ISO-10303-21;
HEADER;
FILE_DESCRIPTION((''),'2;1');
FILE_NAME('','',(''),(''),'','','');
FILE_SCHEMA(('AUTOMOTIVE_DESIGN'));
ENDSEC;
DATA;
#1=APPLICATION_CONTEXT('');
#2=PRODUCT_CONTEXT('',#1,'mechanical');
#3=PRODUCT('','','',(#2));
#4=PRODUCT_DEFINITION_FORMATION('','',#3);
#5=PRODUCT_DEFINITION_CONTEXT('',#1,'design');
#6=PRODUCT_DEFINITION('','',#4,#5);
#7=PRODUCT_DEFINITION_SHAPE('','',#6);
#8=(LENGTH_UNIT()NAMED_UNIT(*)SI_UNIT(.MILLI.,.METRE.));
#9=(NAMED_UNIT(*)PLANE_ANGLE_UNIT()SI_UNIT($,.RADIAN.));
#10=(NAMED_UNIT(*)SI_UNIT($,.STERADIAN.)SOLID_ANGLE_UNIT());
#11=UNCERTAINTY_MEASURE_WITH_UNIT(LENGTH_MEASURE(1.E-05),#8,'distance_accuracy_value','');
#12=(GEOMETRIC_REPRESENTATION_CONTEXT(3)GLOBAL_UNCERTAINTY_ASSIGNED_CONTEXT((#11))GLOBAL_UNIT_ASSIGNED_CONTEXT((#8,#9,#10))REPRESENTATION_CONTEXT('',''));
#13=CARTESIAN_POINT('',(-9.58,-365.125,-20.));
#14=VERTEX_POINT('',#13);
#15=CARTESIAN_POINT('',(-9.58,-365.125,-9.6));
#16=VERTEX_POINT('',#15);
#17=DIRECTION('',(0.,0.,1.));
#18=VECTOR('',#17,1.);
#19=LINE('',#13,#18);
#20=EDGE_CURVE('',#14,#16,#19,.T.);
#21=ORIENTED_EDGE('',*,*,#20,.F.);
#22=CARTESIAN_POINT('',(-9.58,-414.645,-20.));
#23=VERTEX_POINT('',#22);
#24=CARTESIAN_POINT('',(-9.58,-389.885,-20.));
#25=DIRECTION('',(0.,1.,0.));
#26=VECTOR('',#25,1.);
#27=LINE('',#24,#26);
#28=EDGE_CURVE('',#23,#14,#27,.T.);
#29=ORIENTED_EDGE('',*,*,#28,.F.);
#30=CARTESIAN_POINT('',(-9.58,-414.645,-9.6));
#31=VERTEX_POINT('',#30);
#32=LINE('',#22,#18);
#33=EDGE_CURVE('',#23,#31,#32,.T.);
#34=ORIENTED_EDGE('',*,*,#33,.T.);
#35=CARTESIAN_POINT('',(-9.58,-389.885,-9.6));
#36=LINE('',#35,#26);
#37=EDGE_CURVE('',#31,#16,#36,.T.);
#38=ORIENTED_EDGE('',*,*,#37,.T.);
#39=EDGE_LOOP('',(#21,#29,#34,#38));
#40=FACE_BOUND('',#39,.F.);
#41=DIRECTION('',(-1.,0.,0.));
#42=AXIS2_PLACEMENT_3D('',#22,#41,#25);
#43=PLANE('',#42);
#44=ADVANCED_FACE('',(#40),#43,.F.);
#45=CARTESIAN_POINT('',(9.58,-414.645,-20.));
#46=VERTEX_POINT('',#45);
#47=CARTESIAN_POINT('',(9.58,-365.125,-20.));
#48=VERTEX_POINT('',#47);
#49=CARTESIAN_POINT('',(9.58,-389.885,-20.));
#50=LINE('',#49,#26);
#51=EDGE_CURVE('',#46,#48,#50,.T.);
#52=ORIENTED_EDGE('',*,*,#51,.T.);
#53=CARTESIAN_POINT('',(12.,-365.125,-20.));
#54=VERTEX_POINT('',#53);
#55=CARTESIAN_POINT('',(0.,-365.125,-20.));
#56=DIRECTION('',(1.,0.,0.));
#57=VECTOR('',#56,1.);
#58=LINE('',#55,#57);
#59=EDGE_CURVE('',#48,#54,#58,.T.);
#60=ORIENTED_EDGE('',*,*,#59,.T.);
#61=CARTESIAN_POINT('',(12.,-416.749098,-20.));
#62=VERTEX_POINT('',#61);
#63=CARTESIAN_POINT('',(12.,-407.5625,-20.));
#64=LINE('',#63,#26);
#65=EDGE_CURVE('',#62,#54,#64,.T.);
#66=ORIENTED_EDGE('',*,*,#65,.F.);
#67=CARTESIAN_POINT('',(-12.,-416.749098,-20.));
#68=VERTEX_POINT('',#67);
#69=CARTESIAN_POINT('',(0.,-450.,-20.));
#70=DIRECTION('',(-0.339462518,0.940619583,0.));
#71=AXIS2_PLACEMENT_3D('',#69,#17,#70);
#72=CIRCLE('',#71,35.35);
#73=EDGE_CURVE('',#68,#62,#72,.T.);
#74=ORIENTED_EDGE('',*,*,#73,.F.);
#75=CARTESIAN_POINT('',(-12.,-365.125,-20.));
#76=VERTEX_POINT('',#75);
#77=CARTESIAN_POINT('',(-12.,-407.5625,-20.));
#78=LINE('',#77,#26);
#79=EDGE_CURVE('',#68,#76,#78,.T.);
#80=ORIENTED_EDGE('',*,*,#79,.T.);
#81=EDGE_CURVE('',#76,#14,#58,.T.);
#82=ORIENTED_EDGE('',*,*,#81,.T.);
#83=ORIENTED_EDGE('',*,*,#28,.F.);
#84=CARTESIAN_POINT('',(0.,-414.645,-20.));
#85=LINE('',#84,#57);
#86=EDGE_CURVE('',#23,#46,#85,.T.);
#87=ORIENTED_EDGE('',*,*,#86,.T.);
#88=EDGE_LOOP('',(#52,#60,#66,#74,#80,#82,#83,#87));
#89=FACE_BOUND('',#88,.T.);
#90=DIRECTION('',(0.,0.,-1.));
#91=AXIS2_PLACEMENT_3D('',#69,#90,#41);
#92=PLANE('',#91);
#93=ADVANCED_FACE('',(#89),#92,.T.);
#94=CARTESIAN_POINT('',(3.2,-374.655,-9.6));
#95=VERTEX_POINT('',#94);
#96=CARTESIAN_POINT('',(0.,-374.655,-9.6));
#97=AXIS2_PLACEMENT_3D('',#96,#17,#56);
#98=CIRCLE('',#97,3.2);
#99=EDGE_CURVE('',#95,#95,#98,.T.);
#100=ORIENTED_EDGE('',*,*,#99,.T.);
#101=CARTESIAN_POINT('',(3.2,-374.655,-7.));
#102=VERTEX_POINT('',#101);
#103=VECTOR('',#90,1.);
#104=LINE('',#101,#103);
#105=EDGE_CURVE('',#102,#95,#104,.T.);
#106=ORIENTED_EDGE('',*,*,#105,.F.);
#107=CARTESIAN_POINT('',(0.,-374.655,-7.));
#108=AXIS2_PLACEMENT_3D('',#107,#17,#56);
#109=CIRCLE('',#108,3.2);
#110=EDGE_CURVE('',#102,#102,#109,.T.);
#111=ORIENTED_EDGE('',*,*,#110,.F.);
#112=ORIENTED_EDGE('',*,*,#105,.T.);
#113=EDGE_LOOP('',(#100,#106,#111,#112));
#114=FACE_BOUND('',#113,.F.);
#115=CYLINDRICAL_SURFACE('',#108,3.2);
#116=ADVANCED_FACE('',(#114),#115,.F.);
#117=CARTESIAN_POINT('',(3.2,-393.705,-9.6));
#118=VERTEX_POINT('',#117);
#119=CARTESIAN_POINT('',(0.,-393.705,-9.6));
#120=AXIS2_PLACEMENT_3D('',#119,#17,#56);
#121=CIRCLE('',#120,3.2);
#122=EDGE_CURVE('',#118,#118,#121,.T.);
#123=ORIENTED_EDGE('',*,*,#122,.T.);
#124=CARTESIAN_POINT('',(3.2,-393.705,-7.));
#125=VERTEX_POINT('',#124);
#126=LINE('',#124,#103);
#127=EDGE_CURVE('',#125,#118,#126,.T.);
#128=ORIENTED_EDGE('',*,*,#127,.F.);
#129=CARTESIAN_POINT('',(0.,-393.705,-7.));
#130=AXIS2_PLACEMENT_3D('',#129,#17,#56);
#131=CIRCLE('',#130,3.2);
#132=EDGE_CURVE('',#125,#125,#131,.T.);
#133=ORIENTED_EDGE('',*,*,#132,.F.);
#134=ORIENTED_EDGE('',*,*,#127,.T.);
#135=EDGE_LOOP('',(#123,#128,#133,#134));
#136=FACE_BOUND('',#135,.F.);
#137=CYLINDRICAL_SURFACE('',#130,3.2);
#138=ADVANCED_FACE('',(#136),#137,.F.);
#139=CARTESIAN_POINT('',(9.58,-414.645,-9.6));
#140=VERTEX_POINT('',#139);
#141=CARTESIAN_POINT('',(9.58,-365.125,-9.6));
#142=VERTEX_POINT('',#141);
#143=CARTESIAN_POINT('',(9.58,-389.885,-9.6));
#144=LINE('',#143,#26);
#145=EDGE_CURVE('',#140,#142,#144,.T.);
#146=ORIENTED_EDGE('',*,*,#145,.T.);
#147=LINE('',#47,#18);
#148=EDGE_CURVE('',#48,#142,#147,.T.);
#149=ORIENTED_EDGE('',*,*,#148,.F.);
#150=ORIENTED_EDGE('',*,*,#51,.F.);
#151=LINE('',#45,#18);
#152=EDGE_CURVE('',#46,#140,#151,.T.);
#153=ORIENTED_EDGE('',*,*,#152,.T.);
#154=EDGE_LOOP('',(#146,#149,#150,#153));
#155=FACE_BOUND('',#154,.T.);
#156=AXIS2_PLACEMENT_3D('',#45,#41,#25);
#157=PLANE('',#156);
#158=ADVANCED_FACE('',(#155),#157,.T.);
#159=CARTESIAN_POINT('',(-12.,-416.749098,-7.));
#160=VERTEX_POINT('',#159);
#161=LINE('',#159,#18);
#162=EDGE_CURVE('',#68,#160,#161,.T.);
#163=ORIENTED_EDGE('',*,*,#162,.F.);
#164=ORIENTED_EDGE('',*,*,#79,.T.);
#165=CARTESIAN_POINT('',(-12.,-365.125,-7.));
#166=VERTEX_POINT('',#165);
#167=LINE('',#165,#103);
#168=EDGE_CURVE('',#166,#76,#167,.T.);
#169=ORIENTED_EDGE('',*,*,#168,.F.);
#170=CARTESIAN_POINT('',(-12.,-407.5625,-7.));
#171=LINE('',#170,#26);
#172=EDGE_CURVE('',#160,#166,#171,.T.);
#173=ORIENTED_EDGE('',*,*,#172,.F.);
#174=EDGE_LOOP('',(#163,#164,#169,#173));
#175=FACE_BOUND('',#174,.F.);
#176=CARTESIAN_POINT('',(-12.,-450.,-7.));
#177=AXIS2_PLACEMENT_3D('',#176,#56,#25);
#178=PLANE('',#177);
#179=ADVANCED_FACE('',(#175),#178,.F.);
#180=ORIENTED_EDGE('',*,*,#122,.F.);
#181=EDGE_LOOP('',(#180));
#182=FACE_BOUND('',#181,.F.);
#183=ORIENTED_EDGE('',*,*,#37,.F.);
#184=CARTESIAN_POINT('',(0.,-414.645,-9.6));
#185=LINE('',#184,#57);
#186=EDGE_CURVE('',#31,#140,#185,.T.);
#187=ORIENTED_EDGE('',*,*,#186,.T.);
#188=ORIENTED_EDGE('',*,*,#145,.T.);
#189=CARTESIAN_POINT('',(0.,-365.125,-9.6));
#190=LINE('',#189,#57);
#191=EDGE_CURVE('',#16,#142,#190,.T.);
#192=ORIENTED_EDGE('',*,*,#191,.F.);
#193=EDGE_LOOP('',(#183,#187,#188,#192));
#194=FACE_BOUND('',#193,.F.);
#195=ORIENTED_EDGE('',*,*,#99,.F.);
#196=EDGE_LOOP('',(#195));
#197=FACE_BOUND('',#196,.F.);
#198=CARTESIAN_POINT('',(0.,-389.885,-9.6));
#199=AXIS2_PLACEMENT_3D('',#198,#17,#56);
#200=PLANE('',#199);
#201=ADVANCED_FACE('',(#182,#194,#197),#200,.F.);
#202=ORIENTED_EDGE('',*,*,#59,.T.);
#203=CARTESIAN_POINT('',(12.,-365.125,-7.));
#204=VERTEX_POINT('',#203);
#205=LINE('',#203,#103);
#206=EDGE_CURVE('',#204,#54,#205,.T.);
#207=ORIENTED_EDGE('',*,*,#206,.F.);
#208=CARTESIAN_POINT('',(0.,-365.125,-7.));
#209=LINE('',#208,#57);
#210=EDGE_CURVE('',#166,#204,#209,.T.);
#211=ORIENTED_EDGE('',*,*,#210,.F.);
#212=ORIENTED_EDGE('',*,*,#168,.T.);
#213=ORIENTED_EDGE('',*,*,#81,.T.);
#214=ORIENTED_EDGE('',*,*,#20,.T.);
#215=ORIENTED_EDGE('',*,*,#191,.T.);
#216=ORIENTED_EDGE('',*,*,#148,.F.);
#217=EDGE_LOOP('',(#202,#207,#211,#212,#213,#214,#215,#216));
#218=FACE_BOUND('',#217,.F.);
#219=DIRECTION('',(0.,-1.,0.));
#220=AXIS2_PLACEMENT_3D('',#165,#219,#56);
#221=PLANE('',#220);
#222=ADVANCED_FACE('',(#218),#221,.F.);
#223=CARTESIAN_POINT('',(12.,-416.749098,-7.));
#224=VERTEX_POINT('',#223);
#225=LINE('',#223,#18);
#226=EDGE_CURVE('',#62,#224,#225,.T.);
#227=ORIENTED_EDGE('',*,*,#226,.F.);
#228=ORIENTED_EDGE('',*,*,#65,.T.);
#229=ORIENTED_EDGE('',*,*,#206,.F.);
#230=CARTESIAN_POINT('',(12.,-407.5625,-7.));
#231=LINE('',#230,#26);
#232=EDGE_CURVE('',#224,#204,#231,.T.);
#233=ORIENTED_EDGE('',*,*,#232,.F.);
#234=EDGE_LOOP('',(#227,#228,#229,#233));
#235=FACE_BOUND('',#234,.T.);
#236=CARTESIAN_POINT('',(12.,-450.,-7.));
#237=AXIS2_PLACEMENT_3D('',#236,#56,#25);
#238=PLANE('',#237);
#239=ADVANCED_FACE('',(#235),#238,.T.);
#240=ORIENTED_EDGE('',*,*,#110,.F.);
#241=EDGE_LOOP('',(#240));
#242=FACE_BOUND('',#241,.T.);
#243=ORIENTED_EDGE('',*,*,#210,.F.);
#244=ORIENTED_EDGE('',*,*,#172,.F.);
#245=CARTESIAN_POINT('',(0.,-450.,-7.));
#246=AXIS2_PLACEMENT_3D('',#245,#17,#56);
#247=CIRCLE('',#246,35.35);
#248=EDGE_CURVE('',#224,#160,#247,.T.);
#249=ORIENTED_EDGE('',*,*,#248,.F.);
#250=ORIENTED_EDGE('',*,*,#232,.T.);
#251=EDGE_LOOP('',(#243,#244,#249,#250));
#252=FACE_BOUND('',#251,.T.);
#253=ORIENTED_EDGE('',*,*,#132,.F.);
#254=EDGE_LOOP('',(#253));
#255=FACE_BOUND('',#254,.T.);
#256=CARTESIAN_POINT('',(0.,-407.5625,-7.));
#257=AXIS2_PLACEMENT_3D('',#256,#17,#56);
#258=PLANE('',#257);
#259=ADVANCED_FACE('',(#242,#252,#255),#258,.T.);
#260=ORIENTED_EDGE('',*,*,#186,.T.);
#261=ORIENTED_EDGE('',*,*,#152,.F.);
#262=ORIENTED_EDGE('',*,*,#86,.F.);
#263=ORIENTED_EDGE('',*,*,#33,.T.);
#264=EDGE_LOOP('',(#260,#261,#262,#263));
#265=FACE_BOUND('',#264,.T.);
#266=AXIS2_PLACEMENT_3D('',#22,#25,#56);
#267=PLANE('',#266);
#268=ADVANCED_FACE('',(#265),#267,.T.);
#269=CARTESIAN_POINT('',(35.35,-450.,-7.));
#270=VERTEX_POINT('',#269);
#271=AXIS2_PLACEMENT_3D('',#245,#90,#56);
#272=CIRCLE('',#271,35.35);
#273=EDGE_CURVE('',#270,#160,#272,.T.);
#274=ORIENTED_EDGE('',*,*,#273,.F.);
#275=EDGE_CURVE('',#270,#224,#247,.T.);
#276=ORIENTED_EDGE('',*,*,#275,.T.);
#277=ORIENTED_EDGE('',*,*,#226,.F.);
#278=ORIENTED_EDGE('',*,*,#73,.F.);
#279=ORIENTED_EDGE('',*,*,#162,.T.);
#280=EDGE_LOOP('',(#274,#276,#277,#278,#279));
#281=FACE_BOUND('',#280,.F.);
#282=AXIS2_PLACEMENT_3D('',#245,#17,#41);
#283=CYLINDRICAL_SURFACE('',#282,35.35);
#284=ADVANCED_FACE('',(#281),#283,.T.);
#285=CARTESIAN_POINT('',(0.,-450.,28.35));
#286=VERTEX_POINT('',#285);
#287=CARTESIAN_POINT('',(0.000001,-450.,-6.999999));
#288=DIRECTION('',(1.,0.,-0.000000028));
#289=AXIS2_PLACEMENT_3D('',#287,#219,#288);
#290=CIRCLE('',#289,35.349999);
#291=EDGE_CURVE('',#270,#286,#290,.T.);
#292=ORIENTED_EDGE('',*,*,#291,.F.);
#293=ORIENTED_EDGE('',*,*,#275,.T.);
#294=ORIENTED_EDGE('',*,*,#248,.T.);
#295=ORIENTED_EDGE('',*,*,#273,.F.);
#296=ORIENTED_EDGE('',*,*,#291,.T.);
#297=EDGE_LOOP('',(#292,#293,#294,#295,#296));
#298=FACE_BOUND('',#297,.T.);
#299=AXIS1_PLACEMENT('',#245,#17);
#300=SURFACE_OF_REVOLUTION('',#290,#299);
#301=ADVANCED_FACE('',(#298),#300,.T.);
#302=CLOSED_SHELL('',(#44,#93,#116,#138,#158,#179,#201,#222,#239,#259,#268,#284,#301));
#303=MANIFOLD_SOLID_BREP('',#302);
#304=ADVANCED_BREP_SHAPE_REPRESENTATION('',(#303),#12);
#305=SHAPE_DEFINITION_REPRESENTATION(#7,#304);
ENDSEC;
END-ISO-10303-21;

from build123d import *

# Parameters (mm, degrees)
SKETCH001_W       = 19.16
SKETCH001_H       = 49.52
EXTRUDE001_DEPTH  = 10.4
SKETCH138_W       = 24
SKETCH138_H       = 84.875
SKETCH138_R       = 3.2
EXTRUDE042_DEPTH  = 13
CYLINDER168_R     = 35.35
CYLINDER168_DEPTH = 13


with BuildPart() as extrude001:
    # Sketch001 → Extrude001 (new body)
    with BuildSketch(Plane.XY.offset(-13)):
        with Locations((0, 60.115)):
            Rectangle(SKETCH001_W, SKETCH001_H)
    extrude(amount=EXTRUDE001_DEPTH)


with BuildPart() as extrude042:
    # Sketch138 → Extrude042 (new body)
    with BuildSketch(Plane.XY):
        with Locations((0, 42.4375)):
            Rectangle(SKETCH138_W, SKETCH138_H)
        with Locations((0, 56.295)):
            Circle(SKETCH138_R, mode=Mode.SUBTRACT)
        with Locations((0, 75.345)):
            Circle(SKETCH138_R, mode=Mode.SUBTRACT)
    extrude(amount=-EXTRUDE042_DEPTH)


with BuildPart() as cylinder168:
    # Cylinder168 → Cylinder168 (new body)
    with BuildSketch(Plane(origin=(0, 0, 0), x_dir=(-1, 0, 0), z_dir=(0, 0, -1))):
        Circle(CYLINDER168_R)
    extrude(amount=CYLINDER168_DEPTH)


with BuildPart() as rg15:
    # Sphere → Sphere (revolve)
    with BuildSketch(Plane.XZ):
        with BuildLine():
            ThreePointArc((35.35, 0), (24.996225, 24.996225), (0, 35.35))
            Line((0, 35.35), (0, 0))
            Line((0, 0), (35.35, 0))
        make_face()
    revolve(axis=Axis((0, 0, 0), (0, 0, 1)))

    # Fusion107: union Extrude042, Cylinder168
    add(extrude042.part)
    add(cylinder168.part)

    # Cut057: cut Extrude001
    add(extrude001.part, mode=Mode.SUBTRACT)


with BuildPart() as rg15_1:
    # Cut057 placement: moved
    add(rg15.part.moved(Location((0, -450, -7))))


solid = rg15_1.part
